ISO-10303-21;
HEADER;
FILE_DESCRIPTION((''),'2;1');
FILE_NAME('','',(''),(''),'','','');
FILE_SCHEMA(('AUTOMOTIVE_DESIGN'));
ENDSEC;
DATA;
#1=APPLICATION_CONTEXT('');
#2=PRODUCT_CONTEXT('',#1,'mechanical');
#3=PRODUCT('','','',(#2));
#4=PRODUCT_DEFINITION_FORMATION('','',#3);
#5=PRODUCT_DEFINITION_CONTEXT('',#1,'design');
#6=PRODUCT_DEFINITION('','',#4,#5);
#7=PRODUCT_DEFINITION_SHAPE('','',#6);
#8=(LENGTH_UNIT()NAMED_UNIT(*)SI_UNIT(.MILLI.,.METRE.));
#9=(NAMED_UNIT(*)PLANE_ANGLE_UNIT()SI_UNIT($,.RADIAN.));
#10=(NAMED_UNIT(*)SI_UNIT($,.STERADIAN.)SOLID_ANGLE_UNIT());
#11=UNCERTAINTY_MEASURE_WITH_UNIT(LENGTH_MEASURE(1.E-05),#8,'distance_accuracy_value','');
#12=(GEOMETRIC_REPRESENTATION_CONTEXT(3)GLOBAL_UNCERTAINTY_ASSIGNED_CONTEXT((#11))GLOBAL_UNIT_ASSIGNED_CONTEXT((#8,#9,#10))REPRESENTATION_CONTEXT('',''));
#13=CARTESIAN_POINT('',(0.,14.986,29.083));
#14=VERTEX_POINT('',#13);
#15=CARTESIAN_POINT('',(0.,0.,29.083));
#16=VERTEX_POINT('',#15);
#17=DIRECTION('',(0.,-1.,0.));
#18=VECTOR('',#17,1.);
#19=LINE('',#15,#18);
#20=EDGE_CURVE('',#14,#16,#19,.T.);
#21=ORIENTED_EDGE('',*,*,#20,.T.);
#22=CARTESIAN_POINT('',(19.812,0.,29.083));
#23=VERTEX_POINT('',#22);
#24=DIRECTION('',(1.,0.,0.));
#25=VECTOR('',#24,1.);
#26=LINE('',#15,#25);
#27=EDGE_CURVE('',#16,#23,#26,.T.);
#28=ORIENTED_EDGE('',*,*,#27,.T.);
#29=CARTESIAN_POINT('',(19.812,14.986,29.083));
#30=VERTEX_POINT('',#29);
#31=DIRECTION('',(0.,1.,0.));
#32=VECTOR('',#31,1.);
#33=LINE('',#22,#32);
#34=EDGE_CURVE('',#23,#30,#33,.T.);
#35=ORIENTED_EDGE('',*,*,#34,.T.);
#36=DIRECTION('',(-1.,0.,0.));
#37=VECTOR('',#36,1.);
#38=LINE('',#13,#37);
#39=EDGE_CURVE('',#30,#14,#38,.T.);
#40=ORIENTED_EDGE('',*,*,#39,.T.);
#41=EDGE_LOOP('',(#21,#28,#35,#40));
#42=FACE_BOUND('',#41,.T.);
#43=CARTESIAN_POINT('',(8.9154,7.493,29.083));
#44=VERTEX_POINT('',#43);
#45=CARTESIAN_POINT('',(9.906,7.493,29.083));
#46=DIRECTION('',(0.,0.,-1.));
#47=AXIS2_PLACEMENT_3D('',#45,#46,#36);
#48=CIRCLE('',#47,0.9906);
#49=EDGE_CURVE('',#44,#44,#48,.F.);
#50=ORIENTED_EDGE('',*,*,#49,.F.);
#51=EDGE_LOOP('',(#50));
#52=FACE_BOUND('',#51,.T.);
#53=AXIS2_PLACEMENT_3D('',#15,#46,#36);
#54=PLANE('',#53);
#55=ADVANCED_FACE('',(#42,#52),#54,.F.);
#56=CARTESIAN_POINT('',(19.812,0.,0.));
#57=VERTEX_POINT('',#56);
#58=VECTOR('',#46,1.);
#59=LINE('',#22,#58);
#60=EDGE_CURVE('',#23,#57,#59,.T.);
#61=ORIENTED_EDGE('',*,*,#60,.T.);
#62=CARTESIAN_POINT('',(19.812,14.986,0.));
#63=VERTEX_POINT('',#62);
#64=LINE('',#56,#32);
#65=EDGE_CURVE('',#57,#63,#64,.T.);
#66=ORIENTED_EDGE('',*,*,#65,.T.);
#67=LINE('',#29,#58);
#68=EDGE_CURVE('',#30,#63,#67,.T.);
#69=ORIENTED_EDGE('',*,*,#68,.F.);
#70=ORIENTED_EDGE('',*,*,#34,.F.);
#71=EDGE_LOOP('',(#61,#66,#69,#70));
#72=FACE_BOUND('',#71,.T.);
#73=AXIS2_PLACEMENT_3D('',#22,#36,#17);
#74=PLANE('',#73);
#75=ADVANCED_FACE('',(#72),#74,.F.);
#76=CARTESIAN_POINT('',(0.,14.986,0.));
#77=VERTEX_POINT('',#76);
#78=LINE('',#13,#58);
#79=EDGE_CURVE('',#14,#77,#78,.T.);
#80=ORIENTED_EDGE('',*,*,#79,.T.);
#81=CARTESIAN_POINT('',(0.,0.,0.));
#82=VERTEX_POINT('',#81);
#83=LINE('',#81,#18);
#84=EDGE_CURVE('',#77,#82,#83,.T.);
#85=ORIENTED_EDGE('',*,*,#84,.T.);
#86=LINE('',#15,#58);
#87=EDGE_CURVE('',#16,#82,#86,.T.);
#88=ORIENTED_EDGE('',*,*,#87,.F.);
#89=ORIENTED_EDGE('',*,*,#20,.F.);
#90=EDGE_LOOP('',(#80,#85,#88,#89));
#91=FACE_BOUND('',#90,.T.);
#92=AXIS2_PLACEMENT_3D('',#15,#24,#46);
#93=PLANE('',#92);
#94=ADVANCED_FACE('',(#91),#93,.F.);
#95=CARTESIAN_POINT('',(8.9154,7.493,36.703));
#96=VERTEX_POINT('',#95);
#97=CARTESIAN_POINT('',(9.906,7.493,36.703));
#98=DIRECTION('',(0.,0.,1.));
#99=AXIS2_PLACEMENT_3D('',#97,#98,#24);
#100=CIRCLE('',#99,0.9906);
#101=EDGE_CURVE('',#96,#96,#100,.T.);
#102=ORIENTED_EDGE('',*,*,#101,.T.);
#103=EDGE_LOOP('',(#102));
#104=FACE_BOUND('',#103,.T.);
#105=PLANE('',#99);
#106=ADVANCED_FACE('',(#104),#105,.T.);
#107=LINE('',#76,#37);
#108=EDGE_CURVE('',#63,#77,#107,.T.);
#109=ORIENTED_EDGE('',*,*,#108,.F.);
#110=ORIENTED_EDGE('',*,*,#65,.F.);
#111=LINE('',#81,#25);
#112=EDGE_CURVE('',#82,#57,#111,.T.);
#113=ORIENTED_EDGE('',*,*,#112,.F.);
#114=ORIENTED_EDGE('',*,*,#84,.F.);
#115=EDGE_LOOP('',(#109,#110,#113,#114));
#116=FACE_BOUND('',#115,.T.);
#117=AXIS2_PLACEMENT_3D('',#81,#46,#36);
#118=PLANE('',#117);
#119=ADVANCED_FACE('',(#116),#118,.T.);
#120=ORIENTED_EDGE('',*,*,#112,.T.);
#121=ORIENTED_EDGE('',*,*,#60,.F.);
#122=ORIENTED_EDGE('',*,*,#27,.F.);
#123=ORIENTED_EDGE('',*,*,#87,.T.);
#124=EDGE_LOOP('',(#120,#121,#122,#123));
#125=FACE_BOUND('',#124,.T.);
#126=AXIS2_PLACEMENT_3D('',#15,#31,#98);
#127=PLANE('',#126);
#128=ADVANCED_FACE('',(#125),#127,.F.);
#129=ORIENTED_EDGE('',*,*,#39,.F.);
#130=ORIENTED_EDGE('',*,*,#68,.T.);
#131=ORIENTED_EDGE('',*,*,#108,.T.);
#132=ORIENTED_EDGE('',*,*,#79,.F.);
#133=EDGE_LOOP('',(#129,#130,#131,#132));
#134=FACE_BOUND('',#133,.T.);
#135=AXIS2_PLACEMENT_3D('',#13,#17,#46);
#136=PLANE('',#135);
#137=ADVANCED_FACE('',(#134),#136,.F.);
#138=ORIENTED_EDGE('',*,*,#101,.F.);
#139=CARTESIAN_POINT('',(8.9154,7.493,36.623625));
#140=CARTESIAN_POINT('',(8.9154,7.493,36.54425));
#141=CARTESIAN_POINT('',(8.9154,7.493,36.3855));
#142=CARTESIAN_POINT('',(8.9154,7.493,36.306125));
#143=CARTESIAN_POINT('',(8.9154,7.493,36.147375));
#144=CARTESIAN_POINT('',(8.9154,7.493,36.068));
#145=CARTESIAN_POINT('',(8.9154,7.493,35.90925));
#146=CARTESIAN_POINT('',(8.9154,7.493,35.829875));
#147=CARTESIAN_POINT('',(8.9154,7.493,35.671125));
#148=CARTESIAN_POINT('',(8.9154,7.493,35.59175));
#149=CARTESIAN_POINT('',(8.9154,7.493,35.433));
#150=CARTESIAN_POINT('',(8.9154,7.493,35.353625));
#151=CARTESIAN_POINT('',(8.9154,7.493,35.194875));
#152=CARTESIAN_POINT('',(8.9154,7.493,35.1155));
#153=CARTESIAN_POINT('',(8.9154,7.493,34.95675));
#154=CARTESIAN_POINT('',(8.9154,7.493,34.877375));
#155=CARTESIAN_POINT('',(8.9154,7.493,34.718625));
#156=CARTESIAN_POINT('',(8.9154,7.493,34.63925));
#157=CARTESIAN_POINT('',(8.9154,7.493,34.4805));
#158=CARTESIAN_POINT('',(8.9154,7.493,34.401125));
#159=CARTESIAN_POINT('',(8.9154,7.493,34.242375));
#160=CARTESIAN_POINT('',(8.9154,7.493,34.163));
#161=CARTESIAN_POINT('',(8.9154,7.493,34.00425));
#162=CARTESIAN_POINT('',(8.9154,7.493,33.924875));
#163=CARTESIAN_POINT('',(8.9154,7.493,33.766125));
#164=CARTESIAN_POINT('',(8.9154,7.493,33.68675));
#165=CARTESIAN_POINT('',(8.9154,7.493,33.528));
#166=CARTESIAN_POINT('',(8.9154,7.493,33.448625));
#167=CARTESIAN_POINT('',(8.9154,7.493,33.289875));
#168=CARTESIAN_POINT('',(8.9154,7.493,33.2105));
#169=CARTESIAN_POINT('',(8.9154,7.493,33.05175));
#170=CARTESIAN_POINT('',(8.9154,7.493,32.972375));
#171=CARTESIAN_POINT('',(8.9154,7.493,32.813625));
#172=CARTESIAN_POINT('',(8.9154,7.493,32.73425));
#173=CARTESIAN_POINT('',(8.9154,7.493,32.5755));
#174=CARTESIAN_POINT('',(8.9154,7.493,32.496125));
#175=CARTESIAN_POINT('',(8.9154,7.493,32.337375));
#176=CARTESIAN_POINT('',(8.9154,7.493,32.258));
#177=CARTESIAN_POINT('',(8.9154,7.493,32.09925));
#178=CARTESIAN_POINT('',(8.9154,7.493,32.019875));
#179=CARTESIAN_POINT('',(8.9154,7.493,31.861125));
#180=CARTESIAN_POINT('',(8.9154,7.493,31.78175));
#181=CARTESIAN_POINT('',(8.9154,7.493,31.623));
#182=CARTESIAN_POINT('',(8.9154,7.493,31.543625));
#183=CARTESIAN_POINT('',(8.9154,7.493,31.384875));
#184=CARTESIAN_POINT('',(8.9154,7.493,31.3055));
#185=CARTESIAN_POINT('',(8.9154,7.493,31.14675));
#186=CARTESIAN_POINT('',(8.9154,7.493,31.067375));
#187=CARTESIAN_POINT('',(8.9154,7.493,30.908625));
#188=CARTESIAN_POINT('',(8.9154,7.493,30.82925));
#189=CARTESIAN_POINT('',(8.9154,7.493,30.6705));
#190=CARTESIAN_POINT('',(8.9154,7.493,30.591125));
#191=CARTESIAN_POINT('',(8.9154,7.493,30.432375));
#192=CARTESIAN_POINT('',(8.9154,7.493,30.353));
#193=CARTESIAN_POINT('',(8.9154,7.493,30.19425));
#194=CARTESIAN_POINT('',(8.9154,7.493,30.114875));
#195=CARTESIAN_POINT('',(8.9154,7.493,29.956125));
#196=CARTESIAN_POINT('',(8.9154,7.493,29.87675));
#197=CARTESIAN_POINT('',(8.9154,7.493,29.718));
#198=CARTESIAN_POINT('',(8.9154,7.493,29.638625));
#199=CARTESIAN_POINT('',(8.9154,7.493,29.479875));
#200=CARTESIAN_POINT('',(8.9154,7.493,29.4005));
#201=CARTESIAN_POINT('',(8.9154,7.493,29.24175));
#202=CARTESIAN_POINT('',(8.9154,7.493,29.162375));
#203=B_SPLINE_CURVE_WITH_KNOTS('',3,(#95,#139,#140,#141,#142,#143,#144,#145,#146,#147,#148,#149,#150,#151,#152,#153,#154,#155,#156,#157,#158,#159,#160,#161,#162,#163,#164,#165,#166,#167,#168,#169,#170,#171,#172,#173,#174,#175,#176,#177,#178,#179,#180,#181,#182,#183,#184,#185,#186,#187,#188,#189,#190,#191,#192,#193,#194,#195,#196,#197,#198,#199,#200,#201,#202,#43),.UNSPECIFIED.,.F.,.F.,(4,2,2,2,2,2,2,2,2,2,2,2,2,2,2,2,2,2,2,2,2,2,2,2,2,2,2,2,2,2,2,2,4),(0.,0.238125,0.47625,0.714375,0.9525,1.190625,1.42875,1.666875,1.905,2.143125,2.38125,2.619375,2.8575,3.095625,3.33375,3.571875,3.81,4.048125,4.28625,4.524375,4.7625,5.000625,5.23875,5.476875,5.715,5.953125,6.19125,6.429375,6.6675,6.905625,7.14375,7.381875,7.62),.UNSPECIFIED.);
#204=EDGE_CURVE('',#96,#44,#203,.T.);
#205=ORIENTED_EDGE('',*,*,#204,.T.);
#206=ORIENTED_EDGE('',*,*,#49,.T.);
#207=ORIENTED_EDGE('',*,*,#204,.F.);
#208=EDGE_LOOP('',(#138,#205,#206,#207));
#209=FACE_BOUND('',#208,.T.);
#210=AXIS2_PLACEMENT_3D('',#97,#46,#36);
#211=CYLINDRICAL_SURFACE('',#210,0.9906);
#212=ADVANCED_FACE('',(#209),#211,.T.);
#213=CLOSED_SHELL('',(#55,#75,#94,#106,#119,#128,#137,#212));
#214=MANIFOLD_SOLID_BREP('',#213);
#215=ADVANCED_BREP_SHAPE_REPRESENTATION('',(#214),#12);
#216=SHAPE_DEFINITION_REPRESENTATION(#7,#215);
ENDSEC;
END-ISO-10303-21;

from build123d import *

# Parameters (mm, degrees)
SKETCH1_W           = 19.812
SKETCH1_H           = 14.986
BOSS_EXTRUDE1_DEPTH = 29.083
SKETCH2_R           = 0.9906
BOSS_EXTRUDE2_DEPTH = 7.62


with BuildPart() as part:
    # Sketch1 → Boss-Extrude1 (new body)
    with BuildSketch(Plane.XY):
        with Locations((9.906, 7.493)):
            Rectangle(SKETCH1_W, SKETCH1_H)
    extrude(amount=BOSS_EXTRUDE1_DEPTH)

    # Sketch2 → Boss-Extrude2 (add)
    with BuildSketch(Plane.XY.offset(29.083)):
        with Locations(Location((9.906, 7.493, 0), (0, 0, 180))):
            Circle(SKETCH2_R)
    extrude(amount=BOSS_EXTRUDE2_DEPTH)


solid = part.part
